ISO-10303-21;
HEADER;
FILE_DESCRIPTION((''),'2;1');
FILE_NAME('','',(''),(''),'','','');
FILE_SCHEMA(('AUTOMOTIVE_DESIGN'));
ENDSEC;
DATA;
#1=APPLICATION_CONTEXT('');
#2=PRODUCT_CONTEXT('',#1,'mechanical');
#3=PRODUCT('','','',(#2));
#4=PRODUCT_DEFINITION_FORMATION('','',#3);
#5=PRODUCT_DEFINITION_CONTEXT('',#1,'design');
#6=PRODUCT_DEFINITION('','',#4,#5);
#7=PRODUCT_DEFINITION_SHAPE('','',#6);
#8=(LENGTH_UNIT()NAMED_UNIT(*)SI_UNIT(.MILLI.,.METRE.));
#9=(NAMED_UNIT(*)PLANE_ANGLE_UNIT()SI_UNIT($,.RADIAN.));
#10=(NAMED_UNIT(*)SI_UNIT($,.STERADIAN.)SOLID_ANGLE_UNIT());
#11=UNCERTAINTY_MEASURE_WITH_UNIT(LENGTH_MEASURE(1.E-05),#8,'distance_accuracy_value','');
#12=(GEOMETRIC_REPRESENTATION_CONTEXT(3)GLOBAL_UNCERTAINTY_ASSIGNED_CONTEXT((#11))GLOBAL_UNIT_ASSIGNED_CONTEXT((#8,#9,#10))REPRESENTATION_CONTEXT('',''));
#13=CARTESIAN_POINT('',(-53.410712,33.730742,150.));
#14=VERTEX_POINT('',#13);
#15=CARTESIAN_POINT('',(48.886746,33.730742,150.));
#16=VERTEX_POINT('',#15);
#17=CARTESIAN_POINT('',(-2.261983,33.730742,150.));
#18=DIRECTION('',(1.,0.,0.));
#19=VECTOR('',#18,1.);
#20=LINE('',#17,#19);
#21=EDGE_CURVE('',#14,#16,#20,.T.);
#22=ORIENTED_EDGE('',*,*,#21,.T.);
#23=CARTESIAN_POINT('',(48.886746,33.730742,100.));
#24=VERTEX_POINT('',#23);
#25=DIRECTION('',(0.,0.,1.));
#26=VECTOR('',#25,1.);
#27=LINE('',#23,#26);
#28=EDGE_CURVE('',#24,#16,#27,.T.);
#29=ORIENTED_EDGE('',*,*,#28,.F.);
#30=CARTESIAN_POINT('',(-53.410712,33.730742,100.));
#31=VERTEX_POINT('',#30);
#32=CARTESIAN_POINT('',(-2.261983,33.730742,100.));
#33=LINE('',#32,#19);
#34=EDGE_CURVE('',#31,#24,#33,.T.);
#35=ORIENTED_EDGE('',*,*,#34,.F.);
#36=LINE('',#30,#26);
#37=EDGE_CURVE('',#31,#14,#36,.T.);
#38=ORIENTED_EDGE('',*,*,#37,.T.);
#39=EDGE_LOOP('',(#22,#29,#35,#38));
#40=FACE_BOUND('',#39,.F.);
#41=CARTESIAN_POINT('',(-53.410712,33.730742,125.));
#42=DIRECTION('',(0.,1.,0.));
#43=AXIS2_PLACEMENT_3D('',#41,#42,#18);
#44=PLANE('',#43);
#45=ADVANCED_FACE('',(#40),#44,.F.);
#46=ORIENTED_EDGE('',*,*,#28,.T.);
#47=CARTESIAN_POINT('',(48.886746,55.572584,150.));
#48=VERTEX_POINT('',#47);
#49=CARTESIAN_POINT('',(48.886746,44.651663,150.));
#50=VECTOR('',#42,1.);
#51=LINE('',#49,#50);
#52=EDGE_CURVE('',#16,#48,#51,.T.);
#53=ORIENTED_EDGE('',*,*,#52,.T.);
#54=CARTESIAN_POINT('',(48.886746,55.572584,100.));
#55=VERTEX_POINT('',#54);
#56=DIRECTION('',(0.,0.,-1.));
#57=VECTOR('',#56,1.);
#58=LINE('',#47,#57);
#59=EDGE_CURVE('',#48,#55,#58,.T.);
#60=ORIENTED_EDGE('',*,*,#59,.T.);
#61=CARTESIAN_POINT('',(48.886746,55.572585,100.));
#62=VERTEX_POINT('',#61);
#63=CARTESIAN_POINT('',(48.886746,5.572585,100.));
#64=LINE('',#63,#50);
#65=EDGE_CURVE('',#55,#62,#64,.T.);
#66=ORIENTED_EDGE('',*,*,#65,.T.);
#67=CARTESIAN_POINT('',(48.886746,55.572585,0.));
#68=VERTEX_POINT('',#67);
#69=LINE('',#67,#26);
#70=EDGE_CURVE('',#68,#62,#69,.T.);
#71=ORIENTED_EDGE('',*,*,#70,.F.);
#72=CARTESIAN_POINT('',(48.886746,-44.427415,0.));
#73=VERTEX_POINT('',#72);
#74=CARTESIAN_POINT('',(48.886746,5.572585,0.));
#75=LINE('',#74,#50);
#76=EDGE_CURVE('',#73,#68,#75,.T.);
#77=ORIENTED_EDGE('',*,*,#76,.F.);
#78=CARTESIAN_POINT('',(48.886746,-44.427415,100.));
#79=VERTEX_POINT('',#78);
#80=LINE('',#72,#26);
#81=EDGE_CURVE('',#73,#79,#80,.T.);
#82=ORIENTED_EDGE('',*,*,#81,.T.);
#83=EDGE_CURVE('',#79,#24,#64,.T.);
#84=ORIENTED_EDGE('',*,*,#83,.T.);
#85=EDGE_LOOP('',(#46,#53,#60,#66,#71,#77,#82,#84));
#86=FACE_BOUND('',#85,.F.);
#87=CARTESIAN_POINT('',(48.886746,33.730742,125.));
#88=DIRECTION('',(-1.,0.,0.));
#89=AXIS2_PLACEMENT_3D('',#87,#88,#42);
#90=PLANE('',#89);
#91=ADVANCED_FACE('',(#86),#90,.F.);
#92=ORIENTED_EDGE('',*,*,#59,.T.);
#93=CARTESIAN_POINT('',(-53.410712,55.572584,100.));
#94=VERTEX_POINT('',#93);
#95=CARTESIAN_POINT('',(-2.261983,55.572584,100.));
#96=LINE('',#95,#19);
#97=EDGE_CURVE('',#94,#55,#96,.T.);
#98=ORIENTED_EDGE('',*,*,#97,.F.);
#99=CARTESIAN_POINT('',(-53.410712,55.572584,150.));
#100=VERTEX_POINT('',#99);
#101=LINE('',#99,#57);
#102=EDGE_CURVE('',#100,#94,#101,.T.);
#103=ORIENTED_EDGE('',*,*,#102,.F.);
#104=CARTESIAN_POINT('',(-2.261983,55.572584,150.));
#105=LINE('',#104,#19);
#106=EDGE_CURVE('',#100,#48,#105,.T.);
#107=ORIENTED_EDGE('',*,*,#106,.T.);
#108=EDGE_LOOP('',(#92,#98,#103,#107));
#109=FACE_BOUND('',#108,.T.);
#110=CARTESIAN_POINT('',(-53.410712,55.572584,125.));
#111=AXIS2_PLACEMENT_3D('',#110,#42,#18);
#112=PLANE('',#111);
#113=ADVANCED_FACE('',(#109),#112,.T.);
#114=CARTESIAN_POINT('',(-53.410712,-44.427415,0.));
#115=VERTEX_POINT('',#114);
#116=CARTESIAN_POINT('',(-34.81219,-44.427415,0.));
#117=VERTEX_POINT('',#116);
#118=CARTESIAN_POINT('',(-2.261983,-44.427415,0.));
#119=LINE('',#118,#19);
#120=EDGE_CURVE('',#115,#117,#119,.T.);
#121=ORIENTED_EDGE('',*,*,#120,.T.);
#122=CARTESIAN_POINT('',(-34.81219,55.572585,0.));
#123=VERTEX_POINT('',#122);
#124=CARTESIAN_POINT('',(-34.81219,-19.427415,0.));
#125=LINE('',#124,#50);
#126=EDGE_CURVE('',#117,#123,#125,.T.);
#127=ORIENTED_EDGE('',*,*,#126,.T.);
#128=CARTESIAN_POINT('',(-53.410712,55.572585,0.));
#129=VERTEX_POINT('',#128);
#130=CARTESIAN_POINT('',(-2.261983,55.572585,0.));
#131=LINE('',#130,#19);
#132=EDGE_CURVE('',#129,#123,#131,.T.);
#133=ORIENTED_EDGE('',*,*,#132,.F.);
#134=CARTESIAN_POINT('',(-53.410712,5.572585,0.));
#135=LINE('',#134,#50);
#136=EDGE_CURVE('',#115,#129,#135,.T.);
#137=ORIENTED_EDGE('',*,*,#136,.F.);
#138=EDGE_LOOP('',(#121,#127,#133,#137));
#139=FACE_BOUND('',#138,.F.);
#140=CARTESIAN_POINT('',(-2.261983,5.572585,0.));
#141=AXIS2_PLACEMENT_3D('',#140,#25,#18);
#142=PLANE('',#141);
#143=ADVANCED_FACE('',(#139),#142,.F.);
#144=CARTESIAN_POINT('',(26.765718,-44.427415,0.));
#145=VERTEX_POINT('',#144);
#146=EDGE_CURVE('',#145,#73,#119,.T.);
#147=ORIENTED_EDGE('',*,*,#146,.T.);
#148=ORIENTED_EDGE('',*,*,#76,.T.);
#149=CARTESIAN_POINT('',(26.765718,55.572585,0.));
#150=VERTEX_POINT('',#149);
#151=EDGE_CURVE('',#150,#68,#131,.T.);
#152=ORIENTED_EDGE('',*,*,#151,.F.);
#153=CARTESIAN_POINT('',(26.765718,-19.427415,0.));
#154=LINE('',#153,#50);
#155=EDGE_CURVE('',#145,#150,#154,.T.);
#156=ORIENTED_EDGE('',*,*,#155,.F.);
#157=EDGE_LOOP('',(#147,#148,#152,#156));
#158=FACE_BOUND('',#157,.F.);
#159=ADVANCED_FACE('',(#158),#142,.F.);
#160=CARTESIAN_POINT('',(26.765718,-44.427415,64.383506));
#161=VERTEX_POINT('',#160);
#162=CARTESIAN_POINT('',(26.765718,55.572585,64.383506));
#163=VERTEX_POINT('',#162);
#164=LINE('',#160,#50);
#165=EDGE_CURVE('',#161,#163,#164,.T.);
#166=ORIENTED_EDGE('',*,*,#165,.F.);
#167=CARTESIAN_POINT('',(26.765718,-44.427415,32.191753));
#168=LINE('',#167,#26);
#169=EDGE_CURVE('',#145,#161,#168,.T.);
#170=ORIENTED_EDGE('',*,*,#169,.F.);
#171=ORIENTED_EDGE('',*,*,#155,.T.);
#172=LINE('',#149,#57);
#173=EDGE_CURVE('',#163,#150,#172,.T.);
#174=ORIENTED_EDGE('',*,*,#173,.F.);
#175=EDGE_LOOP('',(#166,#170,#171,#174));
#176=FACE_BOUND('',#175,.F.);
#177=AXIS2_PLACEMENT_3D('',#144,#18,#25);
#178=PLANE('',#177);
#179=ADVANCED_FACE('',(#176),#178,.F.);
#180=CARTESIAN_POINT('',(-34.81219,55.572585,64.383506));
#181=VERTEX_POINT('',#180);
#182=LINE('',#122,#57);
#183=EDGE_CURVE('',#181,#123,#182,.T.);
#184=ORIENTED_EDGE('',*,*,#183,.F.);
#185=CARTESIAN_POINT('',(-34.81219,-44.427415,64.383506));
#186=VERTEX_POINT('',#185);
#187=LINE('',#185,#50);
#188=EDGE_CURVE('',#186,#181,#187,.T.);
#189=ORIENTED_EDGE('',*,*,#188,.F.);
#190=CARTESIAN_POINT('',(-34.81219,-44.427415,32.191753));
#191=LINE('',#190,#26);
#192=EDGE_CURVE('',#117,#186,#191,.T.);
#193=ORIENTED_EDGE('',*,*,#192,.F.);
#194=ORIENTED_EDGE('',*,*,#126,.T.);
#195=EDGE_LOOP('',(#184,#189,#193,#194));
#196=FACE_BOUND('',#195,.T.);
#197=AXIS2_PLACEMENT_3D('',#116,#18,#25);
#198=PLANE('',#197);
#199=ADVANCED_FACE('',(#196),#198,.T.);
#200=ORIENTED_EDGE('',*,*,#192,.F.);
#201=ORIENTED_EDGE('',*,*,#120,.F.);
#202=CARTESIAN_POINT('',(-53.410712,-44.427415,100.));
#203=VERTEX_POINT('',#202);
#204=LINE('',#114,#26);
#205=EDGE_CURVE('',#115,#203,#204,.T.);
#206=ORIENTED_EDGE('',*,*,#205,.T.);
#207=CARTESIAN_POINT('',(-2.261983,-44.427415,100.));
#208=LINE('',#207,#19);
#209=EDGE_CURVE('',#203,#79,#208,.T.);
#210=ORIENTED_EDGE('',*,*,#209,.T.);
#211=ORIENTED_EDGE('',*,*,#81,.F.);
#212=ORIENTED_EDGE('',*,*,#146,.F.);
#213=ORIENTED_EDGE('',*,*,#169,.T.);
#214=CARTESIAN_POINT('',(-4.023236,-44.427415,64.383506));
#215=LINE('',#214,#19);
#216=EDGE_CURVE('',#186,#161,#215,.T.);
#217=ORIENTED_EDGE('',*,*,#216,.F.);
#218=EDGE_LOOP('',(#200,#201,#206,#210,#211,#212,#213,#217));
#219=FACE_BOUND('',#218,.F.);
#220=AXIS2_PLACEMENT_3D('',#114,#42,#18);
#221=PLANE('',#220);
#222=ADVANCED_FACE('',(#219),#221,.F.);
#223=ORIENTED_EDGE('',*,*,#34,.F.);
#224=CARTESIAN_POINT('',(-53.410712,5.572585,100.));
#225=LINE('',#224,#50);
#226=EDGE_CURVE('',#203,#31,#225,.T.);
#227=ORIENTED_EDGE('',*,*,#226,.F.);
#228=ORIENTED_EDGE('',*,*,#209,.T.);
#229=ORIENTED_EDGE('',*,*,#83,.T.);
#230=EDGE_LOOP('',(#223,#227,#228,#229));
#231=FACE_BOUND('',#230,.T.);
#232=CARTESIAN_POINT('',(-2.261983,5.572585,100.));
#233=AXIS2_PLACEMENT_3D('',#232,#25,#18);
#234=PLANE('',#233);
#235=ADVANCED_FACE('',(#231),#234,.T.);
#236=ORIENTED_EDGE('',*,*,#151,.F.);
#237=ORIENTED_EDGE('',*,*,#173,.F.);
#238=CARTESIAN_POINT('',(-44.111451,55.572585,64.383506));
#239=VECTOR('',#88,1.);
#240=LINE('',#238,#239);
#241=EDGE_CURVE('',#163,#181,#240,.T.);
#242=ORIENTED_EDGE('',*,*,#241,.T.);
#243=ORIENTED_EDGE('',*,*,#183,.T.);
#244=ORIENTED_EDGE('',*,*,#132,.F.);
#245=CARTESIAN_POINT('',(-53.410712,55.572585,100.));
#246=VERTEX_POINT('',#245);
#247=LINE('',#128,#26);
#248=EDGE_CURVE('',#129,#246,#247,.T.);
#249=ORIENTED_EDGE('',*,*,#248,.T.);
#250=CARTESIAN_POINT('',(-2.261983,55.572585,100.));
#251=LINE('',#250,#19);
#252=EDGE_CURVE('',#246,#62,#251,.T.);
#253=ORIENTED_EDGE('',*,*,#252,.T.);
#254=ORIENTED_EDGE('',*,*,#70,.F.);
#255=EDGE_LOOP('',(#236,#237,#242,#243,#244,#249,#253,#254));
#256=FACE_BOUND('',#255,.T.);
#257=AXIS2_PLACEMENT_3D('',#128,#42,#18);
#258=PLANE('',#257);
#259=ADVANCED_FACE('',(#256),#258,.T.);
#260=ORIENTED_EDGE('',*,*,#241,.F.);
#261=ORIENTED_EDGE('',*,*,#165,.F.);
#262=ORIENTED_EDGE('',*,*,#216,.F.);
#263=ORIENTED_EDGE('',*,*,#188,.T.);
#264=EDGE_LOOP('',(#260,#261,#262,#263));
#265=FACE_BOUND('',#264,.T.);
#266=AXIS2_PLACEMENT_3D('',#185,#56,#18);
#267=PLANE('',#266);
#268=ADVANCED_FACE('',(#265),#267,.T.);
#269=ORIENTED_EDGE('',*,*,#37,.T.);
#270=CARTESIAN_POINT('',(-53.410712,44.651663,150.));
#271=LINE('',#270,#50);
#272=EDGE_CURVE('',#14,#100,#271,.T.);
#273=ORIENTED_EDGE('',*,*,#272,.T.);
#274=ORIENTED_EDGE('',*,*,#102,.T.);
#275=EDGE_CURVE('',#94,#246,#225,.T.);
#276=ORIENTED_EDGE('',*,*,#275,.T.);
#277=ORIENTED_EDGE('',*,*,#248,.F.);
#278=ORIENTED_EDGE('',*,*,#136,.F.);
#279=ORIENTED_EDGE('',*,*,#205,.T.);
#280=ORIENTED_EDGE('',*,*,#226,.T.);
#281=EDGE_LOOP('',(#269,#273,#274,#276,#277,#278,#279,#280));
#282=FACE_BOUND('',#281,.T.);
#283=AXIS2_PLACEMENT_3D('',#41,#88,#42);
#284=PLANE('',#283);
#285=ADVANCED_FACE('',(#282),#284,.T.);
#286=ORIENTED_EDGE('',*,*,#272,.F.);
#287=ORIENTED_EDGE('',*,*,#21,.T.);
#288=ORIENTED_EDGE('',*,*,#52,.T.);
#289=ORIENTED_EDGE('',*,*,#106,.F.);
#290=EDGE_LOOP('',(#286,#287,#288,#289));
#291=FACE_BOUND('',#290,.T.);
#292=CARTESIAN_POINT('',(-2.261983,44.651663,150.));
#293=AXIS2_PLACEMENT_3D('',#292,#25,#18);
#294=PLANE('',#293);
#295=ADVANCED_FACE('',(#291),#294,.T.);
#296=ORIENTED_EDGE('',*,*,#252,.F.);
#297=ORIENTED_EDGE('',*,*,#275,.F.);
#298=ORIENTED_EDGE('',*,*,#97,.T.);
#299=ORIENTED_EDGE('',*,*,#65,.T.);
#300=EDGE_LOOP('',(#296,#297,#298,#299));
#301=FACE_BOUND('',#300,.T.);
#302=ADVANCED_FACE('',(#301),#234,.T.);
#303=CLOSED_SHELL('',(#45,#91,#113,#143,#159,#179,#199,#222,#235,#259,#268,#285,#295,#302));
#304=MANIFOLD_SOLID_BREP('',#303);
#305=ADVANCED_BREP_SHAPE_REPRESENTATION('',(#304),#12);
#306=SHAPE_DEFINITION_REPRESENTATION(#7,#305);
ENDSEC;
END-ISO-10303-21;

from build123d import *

# Parameters (mm, degrees)
F0_W     = 102.297458
F0_H     = 100
F1_DEPTH = 100
F2_W     = 102.297458
F2_H     = 21.841843
F3_DEPTH = 25
F4_W     = 61.577909
F4_H     = 64.383507
F5_DEPTH = 100.001
F6_W     = 102.297458
F6_H     = 21.841843
F7_DEPTH = 25


with BuildPart() as f1:
    # F0 (on Top) → F1 (new body)
    with BuildSketch(Plane.XY):
        with Locations((-2.261983, 5.572585)):
            Rectangle(F0_W, F0_H)
    extrude(amount=F1_DEPTH)

    # F2 (on face) → F3 (join)
    with BuildSketch(Plane.XY.offset(100)):
        with Locations((-2.261983, 44.651663)):
            Rectangle(F2_W, F2_H)
    extrude(amount=F3_DEPTH)

    # F4 (on face) → F5 (cut, through all)
    with BuildSketch(Plane.XZ.offset(44.427415)):
        with Locations((-4.023236, 32.191753)):
            Rectangle(F4_W, F4_H)
    extrude(amount=-F5_DEPTH, mode=Mode.SUBTRACT)

    # F6 (on face) → F7 (join)
    with BuildSketch(Plane.XY.offset(125)):
        with Locations((-2.261983, 44.651663)):
            Rectangle(F6_W, F6_H)
    extrude(amount=F7_DEPTH)


solid = f1.part
